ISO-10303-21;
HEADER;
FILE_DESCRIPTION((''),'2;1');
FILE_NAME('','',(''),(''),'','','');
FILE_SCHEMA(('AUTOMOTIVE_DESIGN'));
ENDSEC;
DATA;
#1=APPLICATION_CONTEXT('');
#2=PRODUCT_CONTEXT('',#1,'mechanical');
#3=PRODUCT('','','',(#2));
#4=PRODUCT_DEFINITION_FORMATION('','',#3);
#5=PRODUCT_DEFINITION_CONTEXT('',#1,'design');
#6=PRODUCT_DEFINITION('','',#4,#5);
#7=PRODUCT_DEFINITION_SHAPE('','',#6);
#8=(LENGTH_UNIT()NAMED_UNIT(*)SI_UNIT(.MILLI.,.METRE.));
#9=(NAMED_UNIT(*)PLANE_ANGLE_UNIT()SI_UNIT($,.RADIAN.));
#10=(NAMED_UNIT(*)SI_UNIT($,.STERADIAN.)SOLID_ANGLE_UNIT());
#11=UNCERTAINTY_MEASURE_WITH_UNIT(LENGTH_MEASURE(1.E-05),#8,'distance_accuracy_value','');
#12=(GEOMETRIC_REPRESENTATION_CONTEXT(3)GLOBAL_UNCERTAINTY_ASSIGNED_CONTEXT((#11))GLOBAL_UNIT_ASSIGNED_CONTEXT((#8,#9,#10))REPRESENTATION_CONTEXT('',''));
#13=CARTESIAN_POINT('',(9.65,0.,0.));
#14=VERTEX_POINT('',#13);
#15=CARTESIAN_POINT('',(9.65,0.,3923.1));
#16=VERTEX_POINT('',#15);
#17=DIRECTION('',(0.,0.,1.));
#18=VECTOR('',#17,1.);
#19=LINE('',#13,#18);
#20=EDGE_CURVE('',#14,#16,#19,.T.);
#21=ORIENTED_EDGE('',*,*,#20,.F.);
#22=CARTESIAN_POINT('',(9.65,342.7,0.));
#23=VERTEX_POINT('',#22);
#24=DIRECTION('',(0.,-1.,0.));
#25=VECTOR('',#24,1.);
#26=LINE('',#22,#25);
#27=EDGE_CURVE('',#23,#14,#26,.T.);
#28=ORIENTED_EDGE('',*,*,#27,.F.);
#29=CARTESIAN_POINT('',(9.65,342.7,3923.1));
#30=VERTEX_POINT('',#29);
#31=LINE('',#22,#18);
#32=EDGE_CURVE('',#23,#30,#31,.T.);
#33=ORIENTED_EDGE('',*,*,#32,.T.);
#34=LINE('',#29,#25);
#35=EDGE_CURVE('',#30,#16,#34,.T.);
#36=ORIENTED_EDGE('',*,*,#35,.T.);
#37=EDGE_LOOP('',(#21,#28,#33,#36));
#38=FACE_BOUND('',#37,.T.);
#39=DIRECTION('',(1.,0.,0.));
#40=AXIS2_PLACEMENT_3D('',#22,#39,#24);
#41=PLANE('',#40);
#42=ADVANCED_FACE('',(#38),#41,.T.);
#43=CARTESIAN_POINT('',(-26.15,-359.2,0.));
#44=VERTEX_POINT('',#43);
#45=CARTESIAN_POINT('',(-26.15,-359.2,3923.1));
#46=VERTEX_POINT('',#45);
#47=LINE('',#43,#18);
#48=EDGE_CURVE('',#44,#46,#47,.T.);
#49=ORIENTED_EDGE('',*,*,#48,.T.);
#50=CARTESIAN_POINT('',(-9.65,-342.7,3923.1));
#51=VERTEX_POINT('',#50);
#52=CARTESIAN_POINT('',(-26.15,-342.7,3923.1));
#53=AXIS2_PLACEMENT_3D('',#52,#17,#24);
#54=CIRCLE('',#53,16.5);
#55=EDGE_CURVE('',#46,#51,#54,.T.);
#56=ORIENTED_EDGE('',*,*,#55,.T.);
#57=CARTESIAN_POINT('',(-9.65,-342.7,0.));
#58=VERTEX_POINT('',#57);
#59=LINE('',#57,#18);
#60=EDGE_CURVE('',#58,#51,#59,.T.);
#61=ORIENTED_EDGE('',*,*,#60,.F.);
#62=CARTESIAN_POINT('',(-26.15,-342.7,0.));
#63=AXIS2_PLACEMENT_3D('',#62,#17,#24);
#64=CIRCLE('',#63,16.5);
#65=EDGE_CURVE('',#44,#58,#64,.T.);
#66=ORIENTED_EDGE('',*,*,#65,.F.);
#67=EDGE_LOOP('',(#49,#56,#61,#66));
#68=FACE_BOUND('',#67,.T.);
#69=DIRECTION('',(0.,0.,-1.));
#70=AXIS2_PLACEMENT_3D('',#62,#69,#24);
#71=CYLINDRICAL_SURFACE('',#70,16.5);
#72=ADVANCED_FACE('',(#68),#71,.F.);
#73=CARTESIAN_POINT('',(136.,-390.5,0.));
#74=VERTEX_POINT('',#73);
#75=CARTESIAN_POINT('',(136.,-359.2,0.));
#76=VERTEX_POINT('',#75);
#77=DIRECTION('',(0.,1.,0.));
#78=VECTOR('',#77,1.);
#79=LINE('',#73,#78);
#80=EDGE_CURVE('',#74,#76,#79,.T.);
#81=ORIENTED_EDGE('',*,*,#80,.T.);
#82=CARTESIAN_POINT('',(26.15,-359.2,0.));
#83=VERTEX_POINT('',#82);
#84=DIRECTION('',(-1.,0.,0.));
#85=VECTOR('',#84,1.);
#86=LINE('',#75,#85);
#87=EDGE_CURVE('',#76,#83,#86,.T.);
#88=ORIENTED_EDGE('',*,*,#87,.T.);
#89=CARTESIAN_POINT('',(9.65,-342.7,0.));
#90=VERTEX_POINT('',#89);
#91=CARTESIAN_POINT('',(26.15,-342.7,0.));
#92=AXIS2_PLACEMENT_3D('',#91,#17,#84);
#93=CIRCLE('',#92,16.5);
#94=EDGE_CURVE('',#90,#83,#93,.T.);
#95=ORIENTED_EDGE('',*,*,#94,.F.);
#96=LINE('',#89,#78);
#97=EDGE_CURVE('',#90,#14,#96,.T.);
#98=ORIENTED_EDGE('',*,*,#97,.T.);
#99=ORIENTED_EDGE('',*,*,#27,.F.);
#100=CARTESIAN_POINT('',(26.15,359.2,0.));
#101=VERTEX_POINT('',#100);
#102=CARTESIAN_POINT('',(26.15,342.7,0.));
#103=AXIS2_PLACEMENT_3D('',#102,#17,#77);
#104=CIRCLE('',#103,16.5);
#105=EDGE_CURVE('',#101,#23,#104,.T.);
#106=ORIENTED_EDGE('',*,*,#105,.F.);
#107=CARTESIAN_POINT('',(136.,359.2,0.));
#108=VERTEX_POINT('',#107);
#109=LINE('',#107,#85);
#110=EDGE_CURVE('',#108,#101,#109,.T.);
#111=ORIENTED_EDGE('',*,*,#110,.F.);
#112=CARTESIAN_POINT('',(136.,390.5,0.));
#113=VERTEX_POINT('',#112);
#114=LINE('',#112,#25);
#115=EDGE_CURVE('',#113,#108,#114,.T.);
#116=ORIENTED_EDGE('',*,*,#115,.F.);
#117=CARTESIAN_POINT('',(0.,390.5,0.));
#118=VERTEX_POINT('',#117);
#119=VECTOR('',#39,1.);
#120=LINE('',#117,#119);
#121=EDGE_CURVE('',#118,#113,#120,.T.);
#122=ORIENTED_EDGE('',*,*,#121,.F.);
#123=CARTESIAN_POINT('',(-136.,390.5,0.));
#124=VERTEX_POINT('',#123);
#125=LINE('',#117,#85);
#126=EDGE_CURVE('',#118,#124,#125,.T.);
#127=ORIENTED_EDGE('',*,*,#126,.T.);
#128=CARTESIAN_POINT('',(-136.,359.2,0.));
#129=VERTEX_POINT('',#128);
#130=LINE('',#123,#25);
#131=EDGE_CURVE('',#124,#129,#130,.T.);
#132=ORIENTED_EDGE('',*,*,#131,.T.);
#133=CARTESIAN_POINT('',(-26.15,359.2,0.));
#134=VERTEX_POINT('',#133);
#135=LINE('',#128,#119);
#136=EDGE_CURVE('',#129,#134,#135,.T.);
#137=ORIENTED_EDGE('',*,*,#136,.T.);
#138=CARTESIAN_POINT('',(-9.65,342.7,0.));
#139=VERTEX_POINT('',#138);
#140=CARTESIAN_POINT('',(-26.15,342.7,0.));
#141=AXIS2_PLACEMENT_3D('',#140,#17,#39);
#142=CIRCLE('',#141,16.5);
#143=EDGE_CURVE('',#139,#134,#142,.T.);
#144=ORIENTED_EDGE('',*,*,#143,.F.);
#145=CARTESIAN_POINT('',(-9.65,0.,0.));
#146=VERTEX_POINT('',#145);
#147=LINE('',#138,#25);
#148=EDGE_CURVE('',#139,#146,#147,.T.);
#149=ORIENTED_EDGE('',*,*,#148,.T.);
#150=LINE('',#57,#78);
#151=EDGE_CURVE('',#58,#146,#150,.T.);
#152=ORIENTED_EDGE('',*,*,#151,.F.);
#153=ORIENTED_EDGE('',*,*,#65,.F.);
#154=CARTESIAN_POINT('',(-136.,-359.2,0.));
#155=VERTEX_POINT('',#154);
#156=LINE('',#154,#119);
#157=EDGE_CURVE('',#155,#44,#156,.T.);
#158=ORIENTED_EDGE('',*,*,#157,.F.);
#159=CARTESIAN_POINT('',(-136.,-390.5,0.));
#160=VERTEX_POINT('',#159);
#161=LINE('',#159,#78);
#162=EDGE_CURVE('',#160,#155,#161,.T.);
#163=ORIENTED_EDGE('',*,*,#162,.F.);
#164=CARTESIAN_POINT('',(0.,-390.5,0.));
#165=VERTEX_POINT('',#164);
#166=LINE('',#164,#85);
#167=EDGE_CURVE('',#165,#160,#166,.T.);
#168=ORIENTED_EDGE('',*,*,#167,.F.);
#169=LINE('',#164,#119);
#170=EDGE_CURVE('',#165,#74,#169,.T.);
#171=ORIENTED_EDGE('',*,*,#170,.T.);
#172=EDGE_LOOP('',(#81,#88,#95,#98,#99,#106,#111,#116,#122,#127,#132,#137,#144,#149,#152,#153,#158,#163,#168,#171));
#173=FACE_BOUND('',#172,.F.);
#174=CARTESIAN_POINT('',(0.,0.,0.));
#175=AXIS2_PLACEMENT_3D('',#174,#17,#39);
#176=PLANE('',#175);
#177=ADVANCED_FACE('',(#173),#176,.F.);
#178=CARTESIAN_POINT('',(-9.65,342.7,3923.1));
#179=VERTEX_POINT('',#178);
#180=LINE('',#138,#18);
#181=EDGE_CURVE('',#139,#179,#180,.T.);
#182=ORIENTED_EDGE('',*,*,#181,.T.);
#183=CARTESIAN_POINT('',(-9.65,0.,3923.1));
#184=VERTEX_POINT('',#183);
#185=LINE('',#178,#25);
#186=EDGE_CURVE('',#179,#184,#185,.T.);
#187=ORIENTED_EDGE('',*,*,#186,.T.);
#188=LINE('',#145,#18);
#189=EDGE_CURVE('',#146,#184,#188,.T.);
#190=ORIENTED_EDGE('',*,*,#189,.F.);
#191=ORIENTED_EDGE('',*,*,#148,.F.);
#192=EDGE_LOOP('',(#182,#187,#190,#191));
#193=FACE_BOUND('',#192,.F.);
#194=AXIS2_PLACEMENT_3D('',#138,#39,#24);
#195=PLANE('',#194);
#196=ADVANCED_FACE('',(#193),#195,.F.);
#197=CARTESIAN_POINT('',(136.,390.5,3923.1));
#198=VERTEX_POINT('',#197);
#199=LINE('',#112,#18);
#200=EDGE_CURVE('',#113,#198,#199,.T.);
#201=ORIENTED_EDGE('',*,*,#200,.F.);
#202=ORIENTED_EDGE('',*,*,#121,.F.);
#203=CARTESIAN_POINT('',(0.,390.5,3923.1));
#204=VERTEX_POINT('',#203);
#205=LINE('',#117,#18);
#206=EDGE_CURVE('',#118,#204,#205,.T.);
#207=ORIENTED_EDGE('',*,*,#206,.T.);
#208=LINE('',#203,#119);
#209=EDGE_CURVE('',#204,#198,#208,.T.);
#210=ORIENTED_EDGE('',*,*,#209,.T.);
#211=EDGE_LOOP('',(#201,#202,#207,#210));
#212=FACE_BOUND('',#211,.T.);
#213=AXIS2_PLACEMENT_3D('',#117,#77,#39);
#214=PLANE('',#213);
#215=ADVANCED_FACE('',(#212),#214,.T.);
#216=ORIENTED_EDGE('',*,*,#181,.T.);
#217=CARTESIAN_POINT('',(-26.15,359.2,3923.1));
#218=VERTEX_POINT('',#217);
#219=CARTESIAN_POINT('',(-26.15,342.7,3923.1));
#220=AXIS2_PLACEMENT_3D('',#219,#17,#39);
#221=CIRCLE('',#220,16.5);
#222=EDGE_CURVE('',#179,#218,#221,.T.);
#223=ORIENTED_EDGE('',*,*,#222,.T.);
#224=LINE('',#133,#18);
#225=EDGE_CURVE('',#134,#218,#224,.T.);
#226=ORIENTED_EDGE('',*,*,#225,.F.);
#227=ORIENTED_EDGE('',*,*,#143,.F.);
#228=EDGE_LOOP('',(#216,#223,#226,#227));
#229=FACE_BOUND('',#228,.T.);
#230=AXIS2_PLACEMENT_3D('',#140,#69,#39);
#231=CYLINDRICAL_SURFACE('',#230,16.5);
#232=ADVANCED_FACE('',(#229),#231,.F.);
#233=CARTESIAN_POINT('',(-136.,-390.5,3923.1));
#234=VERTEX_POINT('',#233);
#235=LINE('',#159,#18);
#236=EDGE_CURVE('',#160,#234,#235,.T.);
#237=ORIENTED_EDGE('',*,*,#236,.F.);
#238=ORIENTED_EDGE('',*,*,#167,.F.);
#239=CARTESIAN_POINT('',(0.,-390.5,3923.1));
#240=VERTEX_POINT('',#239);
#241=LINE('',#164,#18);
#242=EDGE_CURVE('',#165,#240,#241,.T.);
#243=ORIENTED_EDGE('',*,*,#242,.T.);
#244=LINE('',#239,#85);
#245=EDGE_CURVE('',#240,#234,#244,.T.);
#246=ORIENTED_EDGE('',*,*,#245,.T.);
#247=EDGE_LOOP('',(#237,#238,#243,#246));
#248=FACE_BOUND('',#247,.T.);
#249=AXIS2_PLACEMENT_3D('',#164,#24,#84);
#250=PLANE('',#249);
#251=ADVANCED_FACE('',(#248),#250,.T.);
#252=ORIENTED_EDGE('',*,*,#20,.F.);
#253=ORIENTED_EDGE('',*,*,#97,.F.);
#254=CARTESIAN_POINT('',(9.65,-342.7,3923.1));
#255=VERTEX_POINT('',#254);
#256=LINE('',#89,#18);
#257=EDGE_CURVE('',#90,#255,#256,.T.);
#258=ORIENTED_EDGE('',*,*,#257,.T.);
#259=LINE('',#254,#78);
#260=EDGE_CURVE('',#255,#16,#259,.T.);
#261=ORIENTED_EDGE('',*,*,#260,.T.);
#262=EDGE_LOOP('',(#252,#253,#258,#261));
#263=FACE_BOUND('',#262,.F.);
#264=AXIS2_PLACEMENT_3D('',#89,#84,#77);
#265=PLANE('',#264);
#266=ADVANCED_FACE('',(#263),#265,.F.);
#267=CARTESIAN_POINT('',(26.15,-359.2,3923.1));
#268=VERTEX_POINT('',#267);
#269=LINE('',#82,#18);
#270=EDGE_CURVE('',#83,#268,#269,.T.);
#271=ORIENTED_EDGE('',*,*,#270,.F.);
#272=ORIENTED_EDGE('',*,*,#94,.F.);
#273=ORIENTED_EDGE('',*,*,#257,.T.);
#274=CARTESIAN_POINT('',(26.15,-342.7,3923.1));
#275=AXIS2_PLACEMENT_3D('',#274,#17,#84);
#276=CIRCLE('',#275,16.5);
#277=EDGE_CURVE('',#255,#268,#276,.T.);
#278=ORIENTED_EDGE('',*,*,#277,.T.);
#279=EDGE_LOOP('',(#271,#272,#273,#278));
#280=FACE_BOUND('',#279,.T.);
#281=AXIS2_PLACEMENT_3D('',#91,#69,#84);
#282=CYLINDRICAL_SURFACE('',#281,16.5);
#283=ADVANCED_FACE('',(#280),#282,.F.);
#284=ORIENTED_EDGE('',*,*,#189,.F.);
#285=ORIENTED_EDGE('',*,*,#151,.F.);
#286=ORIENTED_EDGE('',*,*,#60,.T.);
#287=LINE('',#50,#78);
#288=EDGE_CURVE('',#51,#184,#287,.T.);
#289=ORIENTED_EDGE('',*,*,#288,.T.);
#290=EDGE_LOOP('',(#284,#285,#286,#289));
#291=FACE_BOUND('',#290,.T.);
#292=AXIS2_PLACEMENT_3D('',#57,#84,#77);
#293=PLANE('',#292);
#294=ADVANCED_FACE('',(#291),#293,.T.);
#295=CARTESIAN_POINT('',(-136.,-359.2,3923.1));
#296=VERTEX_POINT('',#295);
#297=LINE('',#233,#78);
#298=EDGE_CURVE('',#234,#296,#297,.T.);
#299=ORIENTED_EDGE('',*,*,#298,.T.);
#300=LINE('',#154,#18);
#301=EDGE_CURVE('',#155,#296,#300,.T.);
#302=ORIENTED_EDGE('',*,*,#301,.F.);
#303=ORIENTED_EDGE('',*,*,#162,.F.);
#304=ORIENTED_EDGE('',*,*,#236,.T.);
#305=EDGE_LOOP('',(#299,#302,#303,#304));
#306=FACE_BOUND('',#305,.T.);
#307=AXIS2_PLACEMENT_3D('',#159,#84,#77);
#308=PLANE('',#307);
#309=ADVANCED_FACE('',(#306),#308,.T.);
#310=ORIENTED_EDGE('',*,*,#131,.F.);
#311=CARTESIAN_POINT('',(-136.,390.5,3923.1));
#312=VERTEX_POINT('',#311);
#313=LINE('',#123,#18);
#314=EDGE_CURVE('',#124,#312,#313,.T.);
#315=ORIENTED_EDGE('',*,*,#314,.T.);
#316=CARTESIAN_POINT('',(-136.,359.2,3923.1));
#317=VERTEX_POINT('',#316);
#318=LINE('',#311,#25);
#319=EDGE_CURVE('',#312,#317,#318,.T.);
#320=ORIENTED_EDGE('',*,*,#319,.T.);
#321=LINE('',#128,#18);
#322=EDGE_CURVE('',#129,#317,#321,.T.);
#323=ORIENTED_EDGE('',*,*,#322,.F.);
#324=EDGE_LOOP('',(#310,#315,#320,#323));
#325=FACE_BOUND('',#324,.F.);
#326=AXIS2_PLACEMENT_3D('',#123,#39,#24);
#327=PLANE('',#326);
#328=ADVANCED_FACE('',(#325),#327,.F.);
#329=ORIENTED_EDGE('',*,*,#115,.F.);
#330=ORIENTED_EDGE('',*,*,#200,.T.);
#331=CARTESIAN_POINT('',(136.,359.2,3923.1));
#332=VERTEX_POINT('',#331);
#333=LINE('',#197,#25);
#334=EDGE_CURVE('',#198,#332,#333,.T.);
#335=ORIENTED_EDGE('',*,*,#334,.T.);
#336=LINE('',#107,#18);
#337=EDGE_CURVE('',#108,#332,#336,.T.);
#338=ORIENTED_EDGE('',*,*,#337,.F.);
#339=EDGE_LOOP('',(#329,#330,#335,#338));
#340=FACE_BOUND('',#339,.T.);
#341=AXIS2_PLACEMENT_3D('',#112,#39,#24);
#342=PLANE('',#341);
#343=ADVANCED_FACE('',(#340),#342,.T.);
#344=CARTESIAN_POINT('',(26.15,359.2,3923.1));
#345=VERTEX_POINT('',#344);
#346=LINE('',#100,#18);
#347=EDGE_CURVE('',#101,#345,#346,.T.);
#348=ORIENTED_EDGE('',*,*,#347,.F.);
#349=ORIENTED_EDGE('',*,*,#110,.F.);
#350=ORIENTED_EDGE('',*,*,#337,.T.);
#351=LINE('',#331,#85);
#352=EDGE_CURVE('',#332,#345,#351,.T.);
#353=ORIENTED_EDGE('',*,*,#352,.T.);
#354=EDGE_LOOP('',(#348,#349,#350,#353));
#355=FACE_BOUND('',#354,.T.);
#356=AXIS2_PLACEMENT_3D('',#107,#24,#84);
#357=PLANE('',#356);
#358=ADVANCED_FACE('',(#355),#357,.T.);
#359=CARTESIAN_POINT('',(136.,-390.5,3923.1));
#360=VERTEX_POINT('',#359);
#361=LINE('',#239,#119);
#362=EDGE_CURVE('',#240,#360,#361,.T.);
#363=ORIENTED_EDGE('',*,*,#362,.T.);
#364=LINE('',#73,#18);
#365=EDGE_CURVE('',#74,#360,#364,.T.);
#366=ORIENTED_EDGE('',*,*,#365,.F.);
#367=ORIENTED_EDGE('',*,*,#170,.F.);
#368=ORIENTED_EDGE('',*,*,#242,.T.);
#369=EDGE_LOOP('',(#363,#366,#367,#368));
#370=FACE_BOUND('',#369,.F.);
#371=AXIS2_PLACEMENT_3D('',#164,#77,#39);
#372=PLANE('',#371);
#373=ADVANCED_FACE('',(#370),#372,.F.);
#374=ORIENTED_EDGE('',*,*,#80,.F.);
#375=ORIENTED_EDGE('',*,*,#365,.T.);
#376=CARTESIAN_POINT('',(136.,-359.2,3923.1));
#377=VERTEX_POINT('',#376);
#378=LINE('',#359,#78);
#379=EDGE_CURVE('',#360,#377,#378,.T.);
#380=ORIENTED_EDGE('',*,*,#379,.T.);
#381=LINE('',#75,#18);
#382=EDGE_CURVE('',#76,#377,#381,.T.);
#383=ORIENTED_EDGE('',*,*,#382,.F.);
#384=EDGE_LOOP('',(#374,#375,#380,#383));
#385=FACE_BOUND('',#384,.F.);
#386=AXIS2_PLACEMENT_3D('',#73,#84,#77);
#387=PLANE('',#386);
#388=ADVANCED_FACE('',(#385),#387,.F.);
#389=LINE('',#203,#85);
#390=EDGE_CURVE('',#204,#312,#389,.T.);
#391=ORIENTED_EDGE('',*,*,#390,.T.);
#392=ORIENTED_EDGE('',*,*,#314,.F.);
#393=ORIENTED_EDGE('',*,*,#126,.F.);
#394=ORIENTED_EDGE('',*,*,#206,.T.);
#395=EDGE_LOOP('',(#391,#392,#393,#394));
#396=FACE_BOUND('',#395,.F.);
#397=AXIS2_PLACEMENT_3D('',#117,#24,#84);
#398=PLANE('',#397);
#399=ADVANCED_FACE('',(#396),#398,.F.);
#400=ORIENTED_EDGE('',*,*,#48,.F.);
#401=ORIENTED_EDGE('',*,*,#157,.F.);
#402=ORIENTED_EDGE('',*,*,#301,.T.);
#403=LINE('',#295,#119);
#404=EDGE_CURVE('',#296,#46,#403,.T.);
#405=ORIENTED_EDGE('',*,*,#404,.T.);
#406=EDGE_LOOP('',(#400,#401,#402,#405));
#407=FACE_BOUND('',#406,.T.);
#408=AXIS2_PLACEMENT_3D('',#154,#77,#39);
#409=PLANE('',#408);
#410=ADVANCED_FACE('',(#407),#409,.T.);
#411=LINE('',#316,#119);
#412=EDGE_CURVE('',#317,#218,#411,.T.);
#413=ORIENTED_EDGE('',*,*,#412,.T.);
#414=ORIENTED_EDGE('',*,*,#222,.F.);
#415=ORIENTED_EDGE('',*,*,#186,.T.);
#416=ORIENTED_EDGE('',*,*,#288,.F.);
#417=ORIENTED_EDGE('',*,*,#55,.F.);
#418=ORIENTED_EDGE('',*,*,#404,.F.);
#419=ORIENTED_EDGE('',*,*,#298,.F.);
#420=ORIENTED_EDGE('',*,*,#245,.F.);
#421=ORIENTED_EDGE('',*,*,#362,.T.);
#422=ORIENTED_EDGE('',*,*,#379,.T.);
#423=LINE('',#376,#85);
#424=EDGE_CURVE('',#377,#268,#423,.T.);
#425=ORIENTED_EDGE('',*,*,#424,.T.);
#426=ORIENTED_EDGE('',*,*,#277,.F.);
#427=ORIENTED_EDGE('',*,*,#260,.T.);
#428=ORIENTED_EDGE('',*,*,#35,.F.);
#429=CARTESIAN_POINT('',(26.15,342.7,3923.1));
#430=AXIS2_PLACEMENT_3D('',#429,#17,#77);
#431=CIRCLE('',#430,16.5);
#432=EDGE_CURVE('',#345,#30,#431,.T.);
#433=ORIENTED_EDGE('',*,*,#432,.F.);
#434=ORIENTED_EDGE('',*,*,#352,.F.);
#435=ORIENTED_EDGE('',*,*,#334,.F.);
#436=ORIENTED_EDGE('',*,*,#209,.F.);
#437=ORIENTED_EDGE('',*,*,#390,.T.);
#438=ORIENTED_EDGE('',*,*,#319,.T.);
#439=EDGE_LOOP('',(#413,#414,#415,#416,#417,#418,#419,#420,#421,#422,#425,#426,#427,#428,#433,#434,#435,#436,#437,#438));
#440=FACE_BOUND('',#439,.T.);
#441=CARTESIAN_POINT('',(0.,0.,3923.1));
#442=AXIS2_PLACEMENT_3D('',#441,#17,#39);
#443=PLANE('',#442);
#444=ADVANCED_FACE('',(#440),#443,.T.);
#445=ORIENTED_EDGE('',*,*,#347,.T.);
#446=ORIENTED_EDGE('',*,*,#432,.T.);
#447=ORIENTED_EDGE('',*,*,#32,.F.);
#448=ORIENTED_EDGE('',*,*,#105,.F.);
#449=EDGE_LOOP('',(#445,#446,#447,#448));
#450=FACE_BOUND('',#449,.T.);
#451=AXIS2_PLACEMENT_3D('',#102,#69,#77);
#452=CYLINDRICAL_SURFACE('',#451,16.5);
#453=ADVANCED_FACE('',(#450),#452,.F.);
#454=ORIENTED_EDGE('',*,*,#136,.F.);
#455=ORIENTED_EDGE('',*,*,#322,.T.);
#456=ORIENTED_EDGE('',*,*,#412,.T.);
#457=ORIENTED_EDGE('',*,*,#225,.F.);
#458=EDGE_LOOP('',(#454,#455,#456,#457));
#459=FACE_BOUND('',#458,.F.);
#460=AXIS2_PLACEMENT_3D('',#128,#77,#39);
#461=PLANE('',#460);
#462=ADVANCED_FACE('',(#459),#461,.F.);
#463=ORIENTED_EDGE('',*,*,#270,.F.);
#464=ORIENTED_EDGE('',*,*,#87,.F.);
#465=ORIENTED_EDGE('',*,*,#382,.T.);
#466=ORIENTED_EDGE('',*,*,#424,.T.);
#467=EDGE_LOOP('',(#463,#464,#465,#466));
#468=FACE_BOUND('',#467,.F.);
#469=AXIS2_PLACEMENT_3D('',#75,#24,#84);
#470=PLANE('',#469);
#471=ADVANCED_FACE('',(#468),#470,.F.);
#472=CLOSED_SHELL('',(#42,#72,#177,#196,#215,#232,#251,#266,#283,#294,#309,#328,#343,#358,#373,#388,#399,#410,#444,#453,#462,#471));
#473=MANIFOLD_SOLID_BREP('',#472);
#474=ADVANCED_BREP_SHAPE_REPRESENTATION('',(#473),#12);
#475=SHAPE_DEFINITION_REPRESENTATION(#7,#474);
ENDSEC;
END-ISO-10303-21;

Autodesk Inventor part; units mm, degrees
ref_plane "YZ Plane" through (0, 0, 0) normal (1, 0, 0) x (0, 1, 0)
ref_plane "Start plane" through (0, 0, 0) normal (0, 0, 1) x (1, 0, 0)
ref_plane "End plane" through (0, 0, 3923.1) normal (0, 0, 1) x (1, 0, 0)
sketch "Sketch" plane through (0, 0, 0) normal (0, 0, 1) x (1, 0, 0)
  line L0 (-136, -390.5) -> (-136, -359.2)
  line L1 (-136, -359.2) -> (-26.15, -359.2)
  line L2 (-9.65, -342.7) -> (-9.65, 0)
  line L3 (-9.65, 0) -> (0, 0) construction
  line L4 (0, 0) -> (0, -390.5) construction
  line L5 (0, -390.5) -> (-136, -390.5)
  line L6 (-60, 0) -> (80, 0) construction
  line L7 (0, -60) -> (0, 80) construction
  line L8 (136, -390.5) -> (136, -359.2)
  line L9 (136, -359.2) -> (26.15, -359.2)
  line L10 (9.65, -342.7) -> (9.65, 0)
  line L11 (9.65, 0) -> (0, 0) construction
  line L12 (0, -390.5) -> (136, -390.5)
  line L13 (-136, 390.5) -> (-136, 359.2)
  line L14 (-136, 359.2) -> (-26.15, 359.2)
  line L15 (-9.65, 342.7) -> (-9.65, 0)
  line L16 (0, 390.5) -> (-136, 390.5)
  line L17 (136, 390.5) -> (136, 359.2)
  line L18 (136, 359.2) -> (26.15, 359.2)
  line L19 (0, 390.5) -> (136, 390.5)
  line L20 (9.65, 342.7) -> (9.65, 0)
  arc A0 (-9.65, 342.7) -> (-26.15, 359.2) centre (-26.15, 342.7) ccw
  arc A1 (26.15, 359.2) -> (9.65, 342.7) centre (26.15, 342.7) ccw
  arc A2 (9.65, -342.7) -> (26.15, -359.2) centre (26.15, -342.7) ccw
  arc A3 (-26.15, -359.2) -> (-9.65, -342.7) centre (-26.15, -342.7) ccw
  line L21 (0, 108) -> (0, -88) construction
  line L22 (-88, 0) -> (108, 0) construction
  point P0 (-9.65, -359.2)
  point P1 (9.65, -359.2)
  point P2 (-9.65, 359.2)
  point P3 (9.65, 359.2)
  dimension "d1" = 390.5
  dimension "d2" = 31.3
  dimension "d3" = 136
  dimension "d4" = 9.65
  dimension "d10" = 16.5
extrude "Body" add sketch "Sketch" along normal up to surface (3923.1 mm away) from surface at 0
sketch "Sketch4" plane through (0, 0, 0) normal (0, 0, 1) x (1, 0, 0)
  line L0 (0, 0) -> (10, 0)
ref_plane "Work Plane3" through (0, 0, 0) normal (0, -1, 0) x (1, 0, 0)
sketch "Sketch5" plane through (0, 0, 0) normal (0, -1, 0) x (1, 0, 0)
  line L0 (-2, 0) -> (12, 0) projected
  line L1 (-2, 3923.1) -> (12, 3923.1) projected
  dimension "d14" = 3923.1
equation "\"d1\" = 0.5 * G_H"
equation "\"d2\" = G_T1"
equation "\"d3\" = 0.5 * G_W"
equation "\"d4\" = 0.5 * G_T"
equation "\"d10\" = G_IR"
equation "\"d5\" = G_L"
equation "\"G_W\" = 272"
equation "\"G_H\" = 781"
equation "\"G_T\" = 19.3"
equation "\"G_T1\" = 31.3"
equation "\"G_IR\" = 16.5"
equation "\"G_L\" = d14"
equation "\"G_OFFSET_START\" = 0"
equation "\"G_OFFSET_END\" = 0"
equation "\"d12\" = G_OFFSET_END + B_L"
equation "\"B_L\" = 3923.1"
properties part number "AS 3679-1990 - 760 UB - 244 - 3923.1" material "Steel, Mild"
